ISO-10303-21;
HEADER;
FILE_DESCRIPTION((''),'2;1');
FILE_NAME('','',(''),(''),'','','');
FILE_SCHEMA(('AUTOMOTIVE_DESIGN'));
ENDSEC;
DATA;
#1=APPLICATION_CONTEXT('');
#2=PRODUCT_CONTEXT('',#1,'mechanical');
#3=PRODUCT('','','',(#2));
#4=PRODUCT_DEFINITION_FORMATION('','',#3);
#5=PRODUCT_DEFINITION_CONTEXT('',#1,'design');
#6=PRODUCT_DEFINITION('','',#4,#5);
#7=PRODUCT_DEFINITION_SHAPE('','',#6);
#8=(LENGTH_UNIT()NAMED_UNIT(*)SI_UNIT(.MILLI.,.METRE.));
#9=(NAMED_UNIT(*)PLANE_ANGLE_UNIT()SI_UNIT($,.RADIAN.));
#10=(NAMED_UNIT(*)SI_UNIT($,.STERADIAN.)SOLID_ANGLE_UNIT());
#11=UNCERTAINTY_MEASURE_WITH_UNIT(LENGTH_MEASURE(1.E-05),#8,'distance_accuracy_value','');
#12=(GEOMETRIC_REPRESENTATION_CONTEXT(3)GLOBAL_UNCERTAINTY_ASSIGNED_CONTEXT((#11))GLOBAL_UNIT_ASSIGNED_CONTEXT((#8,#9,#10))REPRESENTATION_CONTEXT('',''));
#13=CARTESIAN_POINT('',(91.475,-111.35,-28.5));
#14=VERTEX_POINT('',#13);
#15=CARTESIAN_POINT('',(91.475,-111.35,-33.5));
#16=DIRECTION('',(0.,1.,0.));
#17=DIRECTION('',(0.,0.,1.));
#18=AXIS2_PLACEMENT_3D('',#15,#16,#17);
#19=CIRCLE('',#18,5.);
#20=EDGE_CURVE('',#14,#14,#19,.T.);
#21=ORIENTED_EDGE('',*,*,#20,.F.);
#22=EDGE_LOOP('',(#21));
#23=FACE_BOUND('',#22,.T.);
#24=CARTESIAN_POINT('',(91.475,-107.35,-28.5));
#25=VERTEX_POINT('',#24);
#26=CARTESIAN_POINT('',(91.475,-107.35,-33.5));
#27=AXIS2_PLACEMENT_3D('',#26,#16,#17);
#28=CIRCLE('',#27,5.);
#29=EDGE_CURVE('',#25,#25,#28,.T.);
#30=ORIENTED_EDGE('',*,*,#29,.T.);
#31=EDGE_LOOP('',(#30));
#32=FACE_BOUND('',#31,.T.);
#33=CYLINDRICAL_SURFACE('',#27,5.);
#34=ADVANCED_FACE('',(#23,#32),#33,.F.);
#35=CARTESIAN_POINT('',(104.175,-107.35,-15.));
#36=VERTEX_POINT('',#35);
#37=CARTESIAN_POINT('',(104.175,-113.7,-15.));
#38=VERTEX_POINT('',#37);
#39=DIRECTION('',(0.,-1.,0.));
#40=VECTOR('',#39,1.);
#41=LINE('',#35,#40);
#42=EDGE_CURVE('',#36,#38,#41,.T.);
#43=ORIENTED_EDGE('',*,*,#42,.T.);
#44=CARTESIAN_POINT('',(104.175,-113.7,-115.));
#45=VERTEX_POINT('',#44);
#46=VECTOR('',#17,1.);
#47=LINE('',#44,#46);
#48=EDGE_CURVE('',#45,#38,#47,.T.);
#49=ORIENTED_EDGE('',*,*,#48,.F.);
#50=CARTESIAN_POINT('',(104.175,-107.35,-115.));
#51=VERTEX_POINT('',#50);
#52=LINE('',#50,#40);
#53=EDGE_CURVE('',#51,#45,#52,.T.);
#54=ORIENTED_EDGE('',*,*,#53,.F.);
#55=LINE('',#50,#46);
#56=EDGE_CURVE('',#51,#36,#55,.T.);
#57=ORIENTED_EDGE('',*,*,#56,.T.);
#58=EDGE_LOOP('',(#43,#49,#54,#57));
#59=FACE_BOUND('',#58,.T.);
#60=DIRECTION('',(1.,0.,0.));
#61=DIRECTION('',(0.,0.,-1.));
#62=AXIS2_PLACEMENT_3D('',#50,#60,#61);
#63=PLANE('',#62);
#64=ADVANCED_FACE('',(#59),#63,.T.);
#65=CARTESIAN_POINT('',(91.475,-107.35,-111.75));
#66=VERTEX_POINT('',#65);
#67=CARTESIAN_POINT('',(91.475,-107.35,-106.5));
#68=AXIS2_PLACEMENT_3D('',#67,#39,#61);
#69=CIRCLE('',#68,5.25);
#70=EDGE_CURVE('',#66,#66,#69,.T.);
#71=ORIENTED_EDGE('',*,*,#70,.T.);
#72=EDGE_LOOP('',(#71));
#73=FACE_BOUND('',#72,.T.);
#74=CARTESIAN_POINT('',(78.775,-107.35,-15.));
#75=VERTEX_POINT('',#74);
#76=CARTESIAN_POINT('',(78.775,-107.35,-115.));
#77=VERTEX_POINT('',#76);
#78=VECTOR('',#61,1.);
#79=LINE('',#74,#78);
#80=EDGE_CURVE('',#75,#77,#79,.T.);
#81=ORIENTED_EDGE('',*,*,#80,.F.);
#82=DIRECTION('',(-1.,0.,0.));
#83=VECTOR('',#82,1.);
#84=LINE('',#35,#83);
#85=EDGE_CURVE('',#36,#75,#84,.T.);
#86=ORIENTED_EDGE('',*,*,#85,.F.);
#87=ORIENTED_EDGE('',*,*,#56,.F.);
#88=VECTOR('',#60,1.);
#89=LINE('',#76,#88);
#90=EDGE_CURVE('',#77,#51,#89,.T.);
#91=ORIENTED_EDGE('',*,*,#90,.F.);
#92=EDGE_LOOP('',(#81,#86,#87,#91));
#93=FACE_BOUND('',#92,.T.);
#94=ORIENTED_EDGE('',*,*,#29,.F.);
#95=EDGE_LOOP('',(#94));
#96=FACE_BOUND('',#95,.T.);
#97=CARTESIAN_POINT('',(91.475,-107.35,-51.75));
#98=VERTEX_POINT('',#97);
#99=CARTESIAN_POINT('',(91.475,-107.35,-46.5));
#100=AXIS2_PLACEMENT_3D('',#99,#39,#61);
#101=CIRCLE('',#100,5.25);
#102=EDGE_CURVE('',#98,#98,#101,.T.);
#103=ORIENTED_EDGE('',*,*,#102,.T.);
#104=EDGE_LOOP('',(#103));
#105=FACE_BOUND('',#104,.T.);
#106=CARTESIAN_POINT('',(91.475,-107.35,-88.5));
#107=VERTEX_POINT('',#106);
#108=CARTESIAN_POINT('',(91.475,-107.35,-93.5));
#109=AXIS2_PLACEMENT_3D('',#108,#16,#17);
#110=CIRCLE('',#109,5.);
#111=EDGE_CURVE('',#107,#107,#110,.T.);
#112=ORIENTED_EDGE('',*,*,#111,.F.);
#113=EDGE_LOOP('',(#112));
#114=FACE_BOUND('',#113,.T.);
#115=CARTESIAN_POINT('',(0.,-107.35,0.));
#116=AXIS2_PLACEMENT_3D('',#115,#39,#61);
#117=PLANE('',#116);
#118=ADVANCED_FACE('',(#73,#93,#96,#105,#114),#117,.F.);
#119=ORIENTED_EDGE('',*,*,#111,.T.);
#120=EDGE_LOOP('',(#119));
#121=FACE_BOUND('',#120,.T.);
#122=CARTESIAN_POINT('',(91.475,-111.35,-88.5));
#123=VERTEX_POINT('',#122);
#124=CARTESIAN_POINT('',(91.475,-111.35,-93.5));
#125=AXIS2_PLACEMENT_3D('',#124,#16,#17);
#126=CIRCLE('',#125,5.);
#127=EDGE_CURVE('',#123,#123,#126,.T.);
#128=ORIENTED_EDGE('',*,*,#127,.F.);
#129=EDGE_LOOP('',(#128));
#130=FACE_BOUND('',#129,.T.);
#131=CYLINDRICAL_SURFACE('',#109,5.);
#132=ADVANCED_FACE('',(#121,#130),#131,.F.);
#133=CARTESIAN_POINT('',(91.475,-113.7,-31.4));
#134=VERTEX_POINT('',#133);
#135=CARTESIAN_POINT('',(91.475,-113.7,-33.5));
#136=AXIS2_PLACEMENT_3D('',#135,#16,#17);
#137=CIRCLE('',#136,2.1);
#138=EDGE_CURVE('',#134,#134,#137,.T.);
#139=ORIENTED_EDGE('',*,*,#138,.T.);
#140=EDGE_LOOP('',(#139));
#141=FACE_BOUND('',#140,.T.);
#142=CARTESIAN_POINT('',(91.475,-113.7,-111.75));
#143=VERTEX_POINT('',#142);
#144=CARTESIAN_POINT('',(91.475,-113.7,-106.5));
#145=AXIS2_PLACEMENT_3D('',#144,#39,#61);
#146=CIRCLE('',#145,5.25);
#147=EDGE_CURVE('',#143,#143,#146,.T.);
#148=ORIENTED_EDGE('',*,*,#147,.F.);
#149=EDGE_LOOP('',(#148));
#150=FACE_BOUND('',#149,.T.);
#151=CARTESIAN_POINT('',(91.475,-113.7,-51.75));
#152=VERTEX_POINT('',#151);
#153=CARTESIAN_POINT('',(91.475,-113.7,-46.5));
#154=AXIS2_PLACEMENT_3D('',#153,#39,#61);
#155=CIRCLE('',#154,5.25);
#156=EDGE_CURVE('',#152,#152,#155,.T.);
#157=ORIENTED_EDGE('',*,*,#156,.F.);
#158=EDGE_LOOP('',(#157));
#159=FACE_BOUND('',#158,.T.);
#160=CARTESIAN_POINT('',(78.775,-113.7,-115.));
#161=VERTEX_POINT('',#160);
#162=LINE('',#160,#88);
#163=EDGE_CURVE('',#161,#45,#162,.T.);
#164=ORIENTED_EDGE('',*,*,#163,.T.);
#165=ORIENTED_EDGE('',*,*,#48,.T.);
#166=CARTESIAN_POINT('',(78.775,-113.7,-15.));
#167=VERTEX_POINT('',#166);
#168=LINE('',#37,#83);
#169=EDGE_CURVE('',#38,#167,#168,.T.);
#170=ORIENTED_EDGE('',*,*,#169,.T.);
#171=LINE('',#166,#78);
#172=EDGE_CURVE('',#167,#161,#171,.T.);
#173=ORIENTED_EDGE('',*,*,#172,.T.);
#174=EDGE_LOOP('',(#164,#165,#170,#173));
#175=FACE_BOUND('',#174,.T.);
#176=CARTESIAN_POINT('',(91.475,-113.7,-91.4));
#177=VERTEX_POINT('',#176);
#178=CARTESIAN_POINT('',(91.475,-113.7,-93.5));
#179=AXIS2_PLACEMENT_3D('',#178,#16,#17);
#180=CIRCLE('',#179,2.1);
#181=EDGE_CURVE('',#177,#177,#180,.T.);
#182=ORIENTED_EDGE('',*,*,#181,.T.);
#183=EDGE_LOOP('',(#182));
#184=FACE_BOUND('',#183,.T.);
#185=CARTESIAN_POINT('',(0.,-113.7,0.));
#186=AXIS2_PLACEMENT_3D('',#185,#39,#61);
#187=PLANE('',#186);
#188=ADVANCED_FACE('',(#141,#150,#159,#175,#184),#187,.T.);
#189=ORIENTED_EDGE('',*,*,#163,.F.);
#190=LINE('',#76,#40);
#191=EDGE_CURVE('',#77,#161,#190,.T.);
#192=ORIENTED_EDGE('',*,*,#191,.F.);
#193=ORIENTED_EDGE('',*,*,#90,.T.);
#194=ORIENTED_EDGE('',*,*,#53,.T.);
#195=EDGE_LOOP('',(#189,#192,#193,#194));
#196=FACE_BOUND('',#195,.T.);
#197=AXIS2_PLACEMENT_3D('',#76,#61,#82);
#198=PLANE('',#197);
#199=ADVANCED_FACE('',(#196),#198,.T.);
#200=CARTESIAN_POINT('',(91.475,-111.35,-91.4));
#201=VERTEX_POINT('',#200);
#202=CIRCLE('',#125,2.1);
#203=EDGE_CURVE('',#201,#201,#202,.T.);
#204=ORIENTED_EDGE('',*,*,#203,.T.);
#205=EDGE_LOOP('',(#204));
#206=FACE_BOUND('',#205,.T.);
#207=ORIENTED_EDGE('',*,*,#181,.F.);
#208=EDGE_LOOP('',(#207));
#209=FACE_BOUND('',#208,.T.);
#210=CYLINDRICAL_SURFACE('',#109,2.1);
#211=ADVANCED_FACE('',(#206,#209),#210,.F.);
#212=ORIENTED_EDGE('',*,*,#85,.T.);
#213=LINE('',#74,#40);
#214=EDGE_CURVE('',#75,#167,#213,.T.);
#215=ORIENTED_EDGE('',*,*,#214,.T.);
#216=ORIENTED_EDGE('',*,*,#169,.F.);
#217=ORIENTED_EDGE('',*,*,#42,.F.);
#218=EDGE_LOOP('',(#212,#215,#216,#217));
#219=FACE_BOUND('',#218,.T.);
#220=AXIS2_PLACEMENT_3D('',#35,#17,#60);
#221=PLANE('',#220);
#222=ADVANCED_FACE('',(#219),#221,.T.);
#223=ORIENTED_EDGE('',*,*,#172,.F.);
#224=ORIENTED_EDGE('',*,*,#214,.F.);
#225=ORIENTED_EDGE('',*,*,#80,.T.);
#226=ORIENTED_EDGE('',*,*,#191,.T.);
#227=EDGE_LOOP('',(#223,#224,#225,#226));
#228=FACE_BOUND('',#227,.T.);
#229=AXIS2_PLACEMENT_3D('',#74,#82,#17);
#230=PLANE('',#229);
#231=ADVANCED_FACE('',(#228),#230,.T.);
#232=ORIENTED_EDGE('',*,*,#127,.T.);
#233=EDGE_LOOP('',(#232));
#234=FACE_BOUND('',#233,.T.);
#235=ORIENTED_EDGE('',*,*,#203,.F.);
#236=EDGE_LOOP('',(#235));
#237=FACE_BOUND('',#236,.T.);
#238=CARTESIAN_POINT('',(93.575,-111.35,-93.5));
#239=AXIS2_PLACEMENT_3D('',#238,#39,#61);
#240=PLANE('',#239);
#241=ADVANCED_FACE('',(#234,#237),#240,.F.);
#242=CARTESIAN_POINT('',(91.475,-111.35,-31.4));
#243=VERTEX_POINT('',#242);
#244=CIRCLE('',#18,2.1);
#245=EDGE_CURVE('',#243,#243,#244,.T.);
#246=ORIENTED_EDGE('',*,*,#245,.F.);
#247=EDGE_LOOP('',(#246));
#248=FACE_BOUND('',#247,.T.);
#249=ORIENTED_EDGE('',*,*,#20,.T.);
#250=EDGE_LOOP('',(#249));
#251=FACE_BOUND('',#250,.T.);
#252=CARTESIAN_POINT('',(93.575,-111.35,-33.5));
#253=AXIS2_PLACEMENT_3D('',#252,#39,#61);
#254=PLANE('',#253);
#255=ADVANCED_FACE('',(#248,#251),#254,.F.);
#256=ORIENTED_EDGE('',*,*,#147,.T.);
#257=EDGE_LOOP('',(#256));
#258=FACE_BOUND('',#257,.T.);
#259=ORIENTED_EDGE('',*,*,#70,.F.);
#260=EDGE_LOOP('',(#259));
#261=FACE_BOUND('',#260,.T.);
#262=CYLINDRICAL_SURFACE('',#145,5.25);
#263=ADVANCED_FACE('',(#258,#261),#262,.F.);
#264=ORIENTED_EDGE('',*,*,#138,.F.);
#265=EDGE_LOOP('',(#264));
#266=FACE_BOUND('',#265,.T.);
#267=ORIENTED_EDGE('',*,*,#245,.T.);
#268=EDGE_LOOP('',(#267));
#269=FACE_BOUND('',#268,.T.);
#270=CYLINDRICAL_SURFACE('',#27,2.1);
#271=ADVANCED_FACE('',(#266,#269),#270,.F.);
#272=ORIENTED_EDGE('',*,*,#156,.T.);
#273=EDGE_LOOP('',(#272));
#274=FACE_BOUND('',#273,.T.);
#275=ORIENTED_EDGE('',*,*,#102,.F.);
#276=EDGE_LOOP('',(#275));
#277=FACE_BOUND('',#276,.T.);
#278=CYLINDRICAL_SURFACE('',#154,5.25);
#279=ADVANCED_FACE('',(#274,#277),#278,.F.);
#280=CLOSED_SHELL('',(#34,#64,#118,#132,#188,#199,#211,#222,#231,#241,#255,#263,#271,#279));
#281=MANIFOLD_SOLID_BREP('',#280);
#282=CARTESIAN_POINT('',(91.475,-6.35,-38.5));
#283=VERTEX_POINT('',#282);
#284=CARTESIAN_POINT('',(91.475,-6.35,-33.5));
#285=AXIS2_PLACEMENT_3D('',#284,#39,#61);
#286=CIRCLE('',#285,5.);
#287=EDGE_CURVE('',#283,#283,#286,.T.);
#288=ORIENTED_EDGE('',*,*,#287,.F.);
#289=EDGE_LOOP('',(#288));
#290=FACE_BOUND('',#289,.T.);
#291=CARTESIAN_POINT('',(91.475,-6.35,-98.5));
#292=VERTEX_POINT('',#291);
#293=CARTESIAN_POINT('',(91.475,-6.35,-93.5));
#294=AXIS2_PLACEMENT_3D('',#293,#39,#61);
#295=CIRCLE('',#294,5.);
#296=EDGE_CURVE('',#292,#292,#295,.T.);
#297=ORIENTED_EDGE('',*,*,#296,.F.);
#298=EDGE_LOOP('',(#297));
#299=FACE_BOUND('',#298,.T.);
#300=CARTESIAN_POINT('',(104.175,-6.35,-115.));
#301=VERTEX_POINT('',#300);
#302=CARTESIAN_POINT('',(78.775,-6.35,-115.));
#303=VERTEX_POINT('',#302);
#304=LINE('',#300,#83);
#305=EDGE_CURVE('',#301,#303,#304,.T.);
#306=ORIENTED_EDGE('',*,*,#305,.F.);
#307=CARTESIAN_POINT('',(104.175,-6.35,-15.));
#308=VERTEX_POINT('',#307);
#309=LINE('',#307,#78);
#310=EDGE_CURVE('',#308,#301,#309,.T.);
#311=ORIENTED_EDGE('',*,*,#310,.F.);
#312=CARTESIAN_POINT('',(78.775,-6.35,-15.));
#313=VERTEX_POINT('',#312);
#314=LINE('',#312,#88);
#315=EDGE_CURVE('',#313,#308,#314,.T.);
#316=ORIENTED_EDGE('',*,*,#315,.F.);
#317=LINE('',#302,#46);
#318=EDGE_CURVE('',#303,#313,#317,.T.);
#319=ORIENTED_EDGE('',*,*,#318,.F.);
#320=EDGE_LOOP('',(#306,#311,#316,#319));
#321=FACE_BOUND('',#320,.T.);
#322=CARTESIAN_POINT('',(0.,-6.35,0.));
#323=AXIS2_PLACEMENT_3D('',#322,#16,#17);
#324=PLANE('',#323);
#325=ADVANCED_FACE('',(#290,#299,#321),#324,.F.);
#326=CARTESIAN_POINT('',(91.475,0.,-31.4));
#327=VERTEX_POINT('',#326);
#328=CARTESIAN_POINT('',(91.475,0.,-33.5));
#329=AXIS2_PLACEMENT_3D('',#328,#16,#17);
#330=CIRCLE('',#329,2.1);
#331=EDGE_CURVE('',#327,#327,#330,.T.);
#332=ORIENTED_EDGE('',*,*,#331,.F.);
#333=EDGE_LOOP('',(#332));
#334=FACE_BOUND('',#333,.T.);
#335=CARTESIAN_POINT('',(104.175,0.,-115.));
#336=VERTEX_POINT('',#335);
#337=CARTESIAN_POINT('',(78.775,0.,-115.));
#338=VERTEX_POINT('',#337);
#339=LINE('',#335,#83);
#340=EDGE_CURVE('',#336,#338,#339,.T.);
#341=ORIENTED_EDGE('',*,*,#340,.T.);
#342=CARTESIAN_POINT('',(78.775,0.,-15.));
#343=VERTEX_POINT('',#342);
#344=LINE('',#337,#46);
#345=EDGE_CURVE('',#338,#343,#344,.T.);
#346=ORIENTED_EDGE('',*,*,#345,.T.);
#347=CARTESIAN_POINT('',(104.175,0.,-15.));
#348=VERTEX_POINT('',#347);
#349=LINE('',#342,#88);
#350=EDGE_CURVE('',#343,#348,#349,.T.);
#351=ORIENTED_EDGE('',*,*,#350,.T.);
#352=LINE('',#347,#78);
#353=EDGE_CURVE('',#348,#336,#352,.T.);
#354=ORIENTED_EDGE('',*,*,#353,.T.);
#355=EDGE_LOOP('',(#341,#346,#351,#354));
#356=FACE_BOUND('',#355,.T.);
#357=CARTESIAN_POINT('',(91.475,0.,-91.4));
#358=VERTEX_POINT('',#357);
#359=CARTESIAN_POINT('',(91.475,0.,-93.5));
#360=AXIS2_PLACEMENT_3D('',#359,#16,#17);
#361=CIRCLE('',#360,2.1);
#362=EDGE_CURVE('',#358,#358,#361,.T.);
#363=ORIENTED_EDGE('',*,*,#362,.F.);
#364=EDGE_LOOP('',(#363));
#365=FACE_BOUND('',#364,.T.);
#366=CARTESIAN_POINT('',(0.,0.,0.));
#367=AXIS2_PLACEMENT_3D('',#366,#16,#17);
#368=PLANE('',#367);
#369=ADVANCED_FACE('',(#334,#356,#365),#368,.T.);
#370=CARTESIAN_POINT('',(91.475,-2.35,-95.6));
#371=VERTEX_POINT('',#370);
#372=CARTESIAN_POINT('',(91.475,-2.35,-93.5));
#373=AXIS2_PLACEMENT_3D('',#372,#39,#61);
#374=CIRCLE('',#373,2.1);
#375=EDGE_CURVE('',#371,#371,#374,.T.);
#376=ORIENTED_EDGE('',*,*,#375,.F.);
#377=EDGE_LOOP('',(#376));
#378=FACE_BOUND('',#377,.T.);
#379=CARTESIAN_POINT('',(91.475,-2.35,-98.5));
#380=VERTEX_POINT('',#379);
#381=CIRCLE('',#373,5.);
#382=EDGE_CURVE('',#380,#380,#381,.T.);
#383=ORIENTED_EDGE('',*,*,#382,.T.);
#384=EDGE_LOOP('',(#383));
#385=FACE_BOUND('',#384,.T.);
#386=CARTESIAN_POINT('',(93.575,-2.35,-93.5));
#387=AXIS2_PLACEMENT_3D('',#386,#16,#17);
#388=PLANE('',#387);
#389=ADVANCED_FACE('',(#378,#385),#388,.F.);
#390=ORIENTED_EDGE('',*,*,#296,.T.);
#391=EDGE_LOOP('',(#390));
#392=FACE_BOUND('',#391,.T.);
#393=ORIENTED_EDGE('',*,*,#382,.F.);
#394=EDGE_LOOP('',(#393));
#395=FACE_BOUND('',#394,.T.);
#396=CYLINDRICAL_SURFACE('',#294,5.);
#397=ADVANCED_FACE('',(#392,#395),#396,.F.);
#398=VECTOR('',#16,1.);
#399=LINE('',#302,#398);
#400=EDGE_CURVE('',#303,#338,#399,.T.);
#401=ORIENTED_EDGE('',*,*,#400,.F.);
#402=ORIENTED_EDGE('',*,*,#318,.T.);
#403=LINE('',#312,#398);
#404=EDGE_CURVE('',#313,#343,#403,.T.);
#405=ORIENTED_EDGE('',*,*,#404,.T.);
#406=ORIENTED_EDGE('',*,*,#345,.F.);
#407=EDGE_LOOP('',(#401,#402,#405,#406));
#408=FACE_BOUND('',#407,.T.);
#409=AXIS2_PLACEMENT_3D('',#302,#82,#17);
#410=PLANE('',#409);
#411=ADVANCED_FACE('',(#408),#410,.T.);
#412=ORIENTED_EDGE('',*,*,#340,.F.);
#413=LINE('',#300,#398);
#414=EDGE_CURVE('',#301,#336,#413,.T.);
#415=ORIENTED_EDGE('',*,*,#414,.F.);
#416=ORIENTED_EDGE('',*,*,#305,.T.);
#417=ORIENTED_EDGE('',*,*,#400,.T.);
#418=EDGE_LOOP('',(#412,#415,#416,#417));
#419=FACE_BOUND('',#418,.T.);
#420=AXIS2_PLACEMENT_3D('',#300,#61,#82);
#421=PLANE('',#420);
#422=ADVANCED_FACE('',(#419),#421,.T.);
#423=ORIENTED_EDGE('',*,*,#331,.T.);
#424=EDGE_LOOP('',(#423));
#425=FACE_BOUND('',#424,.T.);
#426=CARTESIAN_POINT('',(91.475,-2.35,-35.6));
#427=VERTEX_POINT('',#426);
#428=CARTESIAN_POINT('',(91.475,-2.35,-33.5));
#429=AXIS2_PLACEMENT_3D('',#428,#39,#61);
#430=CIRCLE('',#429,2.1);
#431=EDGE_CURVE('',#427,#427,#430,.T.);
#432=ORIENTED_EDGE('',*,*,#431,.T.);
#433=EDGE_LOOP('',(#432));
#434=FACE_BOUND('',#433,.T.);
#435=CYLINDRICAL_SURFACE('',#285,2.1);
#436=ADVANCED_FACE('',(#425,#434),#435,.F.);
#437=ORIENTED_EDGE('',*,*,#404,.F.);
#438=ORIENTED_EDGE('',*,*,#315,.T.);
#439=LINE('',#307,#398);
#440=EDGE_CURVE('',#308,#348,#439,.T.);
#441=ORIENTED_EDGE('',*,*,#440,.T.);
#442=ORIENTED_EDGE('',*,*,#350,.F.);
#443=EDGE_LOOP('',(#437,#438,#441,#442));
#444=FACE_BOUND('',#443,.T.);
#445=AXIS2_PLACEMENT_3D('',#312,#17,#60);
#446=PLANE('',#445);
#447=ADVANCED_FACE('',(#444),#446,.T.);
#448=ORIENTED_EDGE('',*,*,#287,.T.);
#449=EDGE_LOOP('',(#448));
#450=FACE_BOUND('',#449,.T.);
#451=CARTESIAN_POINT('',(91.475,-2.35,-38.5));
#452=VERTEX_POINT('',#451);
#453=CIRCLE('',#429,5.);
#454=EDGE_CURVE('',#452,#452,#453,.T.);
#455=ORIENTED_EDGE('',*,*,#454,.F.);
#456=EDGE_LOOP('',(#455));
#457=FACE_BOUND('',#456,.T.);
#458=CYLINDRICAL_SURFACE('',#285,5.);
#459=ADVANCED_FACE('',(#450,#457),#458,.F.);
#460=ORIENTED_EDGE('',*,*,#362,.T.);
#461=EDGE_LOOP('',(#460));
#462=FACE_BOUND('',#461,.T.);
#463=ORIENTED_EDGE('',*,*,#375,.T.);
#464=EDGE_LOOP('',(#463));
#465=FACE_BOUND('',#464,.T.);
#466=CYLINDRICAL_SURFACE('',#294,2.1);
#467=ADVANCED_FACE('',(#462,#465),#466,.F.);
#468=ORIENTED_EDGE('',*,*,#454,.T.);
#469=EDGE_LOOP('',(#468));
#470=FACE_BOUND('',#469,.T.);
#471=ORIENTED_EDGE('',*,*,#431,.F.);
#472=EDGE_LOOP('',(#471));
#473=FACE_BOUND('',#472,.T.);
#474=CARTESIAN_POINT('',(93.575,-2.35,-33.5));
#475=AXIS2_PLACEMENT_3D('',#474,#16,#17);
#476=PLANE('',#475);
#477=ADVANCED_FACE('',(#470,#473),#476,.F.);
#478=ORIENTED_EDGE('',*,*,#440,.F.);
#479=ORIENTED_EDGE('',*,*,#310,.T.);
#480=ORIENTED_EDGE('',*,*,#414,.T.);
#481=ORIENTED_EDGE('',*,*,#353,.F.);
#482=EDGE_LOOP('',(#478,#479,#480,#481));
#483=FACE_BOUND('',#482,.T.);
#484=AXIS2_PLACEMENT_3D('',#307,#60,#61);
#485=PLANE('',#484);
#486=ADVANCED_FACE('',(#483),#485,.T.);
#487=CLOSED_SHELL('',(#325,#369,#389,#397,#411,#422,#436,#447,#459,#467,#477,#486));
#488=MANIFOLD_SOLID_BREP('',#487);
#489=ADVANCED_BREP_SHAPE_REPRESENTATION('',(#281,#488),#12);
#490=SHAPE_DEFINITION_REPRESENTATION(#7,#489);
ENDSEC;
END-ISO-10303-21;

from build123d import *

# Parameters (mm, degrees)
SKETCH9_W                                          = 25.4
SKETCH9_H                                          = 100
BOSS_EXTRUDE2_DEPTH                                = 6.35
F_10_5_10_5_DIAMETER_HOLE2_D                       = 10.5
CBORE_FOR_M3_5_HEX_HEAD_MACHINE_SCREW2_D           = 4.2
CBORE_FOR_M3_5_HEX_HEAD_MACHINE_SCREW2_CBORE_D     = 10
CBORE_FOR_M3_5_HEX_HEAD_MACHINE_SCREW2_CBORE_DEPTH = 4
SKETCH16_W                                         = 25.4
SKETCH16_H                                         = 100
BOSS_EXTRUDE3_DEPTH                                = 6.35
CBORE_FOR_M3_5_HEX_HEAD_MACHINE_SCREW3_A_COUNT     = 2
CBORE_FOR_M3_5_HEX_HEAD_MACHINE_SCREW3_A_PITCH     = 60


with BuildPart() as part:
    # Sketch9 → Boss-Extrude2 (new body)
    with BuildSketch(Plane(origin=(0, -113.7, 0), x_dir=(-1, 0, 0), z_dir=(0, -1, 0))):
        with Locations((-91.475, 65)):
            Rectangle(SKETCH9_W, SKETCH9_H)
    extrude(amount=-BOSS_EXTRUDE2_DEPTH)

    # Ø10.5 (10.5) Diameter Hole2 (through all)
    with Locations(Plane(origin=(0, -113.7, 0), x_dir=(-1, 0, 0), z_dir=(0, -1, 0))):
        with Locations((-91.475, 106.5), (-91.475, 46.5)):
            Hole(F_10_5_10_5_DIAMETER_HOLE2_D / 2)

    # CBORE for M3.5 Hex Head Machine Screw2 (through all)
    with Locations(Plane(origin=(0, -107.35, 0), x_dir=(1, 0, 0), z_dir=(0, 1, 0))):
        with Locations((91.475, 33.5), (91.475, 93.5)):
            CounterBoreHole(CBORE_FOR_M3_5_HEX_HEAD_MACHINE_SCREW2_D / 2, CBORE_FOR_M3_5_HEX_HEAD_MACHINE_SCREW2_CBORE_D / 2, CBORE_FOR_M3_5_HEX_HEAD_MACHINE_SCREW2_CBORE_DEPTH)


with BuildPart() as body_2:
    # Sketch16 → Boss-Extrude3 (new body)
    with BuildSketch(Plane(origin=(0, 0, 0), x_dir=(1, 0, 0), z_dir=(0, 1, 0))):
        with Locations((91.475, 65)):
            Rectangle(SKETCH16_W, SKETCH16_H)
    extrude(amount=-BOSS_EXTRUDE3_DEPTH)

    # Sketch17 → CBORE for M3.5 Hex Head Machine Screw3 (revolve, cut)
    with BuildSketch(Plane(origin=(91.475, -6.35, -33.5), x_dir=(0, 0, -1), z_dir=(1, 0, 0))):
        Polygon((0, 0), (0, 9.525), (2.1, 9.525), (2.1, 4), (5, 4), (5, 0), align=None)
    cbore_for_m3_5_hex_head_machine_screw3 = revolve(axis=Axis((91.475, -12.7, -33.5), (0, 1, 0)), mode=Mode.SUBTRACT)

    # CBORE for M3.5 Hex Head Machine Screw3 a: CBORE for M3.5 Hex Head Machine Screw3 ×2
    with Locations(*[(0, 0, -i * CBORE_FOR_M3_5_HEX_HEAD_MACHINE_SCREW3_A_PITCH) for i in range(1, CBORE_FOR_M3_5_HEX_HEAD_MACHINE_SCREW3_A_COUNT)]):
        add(cbore_for_m3_5_hex_head_machine_screw3, mode=Mode.SUBTRACT)


solid = Compound([part.part, body_2.part])
